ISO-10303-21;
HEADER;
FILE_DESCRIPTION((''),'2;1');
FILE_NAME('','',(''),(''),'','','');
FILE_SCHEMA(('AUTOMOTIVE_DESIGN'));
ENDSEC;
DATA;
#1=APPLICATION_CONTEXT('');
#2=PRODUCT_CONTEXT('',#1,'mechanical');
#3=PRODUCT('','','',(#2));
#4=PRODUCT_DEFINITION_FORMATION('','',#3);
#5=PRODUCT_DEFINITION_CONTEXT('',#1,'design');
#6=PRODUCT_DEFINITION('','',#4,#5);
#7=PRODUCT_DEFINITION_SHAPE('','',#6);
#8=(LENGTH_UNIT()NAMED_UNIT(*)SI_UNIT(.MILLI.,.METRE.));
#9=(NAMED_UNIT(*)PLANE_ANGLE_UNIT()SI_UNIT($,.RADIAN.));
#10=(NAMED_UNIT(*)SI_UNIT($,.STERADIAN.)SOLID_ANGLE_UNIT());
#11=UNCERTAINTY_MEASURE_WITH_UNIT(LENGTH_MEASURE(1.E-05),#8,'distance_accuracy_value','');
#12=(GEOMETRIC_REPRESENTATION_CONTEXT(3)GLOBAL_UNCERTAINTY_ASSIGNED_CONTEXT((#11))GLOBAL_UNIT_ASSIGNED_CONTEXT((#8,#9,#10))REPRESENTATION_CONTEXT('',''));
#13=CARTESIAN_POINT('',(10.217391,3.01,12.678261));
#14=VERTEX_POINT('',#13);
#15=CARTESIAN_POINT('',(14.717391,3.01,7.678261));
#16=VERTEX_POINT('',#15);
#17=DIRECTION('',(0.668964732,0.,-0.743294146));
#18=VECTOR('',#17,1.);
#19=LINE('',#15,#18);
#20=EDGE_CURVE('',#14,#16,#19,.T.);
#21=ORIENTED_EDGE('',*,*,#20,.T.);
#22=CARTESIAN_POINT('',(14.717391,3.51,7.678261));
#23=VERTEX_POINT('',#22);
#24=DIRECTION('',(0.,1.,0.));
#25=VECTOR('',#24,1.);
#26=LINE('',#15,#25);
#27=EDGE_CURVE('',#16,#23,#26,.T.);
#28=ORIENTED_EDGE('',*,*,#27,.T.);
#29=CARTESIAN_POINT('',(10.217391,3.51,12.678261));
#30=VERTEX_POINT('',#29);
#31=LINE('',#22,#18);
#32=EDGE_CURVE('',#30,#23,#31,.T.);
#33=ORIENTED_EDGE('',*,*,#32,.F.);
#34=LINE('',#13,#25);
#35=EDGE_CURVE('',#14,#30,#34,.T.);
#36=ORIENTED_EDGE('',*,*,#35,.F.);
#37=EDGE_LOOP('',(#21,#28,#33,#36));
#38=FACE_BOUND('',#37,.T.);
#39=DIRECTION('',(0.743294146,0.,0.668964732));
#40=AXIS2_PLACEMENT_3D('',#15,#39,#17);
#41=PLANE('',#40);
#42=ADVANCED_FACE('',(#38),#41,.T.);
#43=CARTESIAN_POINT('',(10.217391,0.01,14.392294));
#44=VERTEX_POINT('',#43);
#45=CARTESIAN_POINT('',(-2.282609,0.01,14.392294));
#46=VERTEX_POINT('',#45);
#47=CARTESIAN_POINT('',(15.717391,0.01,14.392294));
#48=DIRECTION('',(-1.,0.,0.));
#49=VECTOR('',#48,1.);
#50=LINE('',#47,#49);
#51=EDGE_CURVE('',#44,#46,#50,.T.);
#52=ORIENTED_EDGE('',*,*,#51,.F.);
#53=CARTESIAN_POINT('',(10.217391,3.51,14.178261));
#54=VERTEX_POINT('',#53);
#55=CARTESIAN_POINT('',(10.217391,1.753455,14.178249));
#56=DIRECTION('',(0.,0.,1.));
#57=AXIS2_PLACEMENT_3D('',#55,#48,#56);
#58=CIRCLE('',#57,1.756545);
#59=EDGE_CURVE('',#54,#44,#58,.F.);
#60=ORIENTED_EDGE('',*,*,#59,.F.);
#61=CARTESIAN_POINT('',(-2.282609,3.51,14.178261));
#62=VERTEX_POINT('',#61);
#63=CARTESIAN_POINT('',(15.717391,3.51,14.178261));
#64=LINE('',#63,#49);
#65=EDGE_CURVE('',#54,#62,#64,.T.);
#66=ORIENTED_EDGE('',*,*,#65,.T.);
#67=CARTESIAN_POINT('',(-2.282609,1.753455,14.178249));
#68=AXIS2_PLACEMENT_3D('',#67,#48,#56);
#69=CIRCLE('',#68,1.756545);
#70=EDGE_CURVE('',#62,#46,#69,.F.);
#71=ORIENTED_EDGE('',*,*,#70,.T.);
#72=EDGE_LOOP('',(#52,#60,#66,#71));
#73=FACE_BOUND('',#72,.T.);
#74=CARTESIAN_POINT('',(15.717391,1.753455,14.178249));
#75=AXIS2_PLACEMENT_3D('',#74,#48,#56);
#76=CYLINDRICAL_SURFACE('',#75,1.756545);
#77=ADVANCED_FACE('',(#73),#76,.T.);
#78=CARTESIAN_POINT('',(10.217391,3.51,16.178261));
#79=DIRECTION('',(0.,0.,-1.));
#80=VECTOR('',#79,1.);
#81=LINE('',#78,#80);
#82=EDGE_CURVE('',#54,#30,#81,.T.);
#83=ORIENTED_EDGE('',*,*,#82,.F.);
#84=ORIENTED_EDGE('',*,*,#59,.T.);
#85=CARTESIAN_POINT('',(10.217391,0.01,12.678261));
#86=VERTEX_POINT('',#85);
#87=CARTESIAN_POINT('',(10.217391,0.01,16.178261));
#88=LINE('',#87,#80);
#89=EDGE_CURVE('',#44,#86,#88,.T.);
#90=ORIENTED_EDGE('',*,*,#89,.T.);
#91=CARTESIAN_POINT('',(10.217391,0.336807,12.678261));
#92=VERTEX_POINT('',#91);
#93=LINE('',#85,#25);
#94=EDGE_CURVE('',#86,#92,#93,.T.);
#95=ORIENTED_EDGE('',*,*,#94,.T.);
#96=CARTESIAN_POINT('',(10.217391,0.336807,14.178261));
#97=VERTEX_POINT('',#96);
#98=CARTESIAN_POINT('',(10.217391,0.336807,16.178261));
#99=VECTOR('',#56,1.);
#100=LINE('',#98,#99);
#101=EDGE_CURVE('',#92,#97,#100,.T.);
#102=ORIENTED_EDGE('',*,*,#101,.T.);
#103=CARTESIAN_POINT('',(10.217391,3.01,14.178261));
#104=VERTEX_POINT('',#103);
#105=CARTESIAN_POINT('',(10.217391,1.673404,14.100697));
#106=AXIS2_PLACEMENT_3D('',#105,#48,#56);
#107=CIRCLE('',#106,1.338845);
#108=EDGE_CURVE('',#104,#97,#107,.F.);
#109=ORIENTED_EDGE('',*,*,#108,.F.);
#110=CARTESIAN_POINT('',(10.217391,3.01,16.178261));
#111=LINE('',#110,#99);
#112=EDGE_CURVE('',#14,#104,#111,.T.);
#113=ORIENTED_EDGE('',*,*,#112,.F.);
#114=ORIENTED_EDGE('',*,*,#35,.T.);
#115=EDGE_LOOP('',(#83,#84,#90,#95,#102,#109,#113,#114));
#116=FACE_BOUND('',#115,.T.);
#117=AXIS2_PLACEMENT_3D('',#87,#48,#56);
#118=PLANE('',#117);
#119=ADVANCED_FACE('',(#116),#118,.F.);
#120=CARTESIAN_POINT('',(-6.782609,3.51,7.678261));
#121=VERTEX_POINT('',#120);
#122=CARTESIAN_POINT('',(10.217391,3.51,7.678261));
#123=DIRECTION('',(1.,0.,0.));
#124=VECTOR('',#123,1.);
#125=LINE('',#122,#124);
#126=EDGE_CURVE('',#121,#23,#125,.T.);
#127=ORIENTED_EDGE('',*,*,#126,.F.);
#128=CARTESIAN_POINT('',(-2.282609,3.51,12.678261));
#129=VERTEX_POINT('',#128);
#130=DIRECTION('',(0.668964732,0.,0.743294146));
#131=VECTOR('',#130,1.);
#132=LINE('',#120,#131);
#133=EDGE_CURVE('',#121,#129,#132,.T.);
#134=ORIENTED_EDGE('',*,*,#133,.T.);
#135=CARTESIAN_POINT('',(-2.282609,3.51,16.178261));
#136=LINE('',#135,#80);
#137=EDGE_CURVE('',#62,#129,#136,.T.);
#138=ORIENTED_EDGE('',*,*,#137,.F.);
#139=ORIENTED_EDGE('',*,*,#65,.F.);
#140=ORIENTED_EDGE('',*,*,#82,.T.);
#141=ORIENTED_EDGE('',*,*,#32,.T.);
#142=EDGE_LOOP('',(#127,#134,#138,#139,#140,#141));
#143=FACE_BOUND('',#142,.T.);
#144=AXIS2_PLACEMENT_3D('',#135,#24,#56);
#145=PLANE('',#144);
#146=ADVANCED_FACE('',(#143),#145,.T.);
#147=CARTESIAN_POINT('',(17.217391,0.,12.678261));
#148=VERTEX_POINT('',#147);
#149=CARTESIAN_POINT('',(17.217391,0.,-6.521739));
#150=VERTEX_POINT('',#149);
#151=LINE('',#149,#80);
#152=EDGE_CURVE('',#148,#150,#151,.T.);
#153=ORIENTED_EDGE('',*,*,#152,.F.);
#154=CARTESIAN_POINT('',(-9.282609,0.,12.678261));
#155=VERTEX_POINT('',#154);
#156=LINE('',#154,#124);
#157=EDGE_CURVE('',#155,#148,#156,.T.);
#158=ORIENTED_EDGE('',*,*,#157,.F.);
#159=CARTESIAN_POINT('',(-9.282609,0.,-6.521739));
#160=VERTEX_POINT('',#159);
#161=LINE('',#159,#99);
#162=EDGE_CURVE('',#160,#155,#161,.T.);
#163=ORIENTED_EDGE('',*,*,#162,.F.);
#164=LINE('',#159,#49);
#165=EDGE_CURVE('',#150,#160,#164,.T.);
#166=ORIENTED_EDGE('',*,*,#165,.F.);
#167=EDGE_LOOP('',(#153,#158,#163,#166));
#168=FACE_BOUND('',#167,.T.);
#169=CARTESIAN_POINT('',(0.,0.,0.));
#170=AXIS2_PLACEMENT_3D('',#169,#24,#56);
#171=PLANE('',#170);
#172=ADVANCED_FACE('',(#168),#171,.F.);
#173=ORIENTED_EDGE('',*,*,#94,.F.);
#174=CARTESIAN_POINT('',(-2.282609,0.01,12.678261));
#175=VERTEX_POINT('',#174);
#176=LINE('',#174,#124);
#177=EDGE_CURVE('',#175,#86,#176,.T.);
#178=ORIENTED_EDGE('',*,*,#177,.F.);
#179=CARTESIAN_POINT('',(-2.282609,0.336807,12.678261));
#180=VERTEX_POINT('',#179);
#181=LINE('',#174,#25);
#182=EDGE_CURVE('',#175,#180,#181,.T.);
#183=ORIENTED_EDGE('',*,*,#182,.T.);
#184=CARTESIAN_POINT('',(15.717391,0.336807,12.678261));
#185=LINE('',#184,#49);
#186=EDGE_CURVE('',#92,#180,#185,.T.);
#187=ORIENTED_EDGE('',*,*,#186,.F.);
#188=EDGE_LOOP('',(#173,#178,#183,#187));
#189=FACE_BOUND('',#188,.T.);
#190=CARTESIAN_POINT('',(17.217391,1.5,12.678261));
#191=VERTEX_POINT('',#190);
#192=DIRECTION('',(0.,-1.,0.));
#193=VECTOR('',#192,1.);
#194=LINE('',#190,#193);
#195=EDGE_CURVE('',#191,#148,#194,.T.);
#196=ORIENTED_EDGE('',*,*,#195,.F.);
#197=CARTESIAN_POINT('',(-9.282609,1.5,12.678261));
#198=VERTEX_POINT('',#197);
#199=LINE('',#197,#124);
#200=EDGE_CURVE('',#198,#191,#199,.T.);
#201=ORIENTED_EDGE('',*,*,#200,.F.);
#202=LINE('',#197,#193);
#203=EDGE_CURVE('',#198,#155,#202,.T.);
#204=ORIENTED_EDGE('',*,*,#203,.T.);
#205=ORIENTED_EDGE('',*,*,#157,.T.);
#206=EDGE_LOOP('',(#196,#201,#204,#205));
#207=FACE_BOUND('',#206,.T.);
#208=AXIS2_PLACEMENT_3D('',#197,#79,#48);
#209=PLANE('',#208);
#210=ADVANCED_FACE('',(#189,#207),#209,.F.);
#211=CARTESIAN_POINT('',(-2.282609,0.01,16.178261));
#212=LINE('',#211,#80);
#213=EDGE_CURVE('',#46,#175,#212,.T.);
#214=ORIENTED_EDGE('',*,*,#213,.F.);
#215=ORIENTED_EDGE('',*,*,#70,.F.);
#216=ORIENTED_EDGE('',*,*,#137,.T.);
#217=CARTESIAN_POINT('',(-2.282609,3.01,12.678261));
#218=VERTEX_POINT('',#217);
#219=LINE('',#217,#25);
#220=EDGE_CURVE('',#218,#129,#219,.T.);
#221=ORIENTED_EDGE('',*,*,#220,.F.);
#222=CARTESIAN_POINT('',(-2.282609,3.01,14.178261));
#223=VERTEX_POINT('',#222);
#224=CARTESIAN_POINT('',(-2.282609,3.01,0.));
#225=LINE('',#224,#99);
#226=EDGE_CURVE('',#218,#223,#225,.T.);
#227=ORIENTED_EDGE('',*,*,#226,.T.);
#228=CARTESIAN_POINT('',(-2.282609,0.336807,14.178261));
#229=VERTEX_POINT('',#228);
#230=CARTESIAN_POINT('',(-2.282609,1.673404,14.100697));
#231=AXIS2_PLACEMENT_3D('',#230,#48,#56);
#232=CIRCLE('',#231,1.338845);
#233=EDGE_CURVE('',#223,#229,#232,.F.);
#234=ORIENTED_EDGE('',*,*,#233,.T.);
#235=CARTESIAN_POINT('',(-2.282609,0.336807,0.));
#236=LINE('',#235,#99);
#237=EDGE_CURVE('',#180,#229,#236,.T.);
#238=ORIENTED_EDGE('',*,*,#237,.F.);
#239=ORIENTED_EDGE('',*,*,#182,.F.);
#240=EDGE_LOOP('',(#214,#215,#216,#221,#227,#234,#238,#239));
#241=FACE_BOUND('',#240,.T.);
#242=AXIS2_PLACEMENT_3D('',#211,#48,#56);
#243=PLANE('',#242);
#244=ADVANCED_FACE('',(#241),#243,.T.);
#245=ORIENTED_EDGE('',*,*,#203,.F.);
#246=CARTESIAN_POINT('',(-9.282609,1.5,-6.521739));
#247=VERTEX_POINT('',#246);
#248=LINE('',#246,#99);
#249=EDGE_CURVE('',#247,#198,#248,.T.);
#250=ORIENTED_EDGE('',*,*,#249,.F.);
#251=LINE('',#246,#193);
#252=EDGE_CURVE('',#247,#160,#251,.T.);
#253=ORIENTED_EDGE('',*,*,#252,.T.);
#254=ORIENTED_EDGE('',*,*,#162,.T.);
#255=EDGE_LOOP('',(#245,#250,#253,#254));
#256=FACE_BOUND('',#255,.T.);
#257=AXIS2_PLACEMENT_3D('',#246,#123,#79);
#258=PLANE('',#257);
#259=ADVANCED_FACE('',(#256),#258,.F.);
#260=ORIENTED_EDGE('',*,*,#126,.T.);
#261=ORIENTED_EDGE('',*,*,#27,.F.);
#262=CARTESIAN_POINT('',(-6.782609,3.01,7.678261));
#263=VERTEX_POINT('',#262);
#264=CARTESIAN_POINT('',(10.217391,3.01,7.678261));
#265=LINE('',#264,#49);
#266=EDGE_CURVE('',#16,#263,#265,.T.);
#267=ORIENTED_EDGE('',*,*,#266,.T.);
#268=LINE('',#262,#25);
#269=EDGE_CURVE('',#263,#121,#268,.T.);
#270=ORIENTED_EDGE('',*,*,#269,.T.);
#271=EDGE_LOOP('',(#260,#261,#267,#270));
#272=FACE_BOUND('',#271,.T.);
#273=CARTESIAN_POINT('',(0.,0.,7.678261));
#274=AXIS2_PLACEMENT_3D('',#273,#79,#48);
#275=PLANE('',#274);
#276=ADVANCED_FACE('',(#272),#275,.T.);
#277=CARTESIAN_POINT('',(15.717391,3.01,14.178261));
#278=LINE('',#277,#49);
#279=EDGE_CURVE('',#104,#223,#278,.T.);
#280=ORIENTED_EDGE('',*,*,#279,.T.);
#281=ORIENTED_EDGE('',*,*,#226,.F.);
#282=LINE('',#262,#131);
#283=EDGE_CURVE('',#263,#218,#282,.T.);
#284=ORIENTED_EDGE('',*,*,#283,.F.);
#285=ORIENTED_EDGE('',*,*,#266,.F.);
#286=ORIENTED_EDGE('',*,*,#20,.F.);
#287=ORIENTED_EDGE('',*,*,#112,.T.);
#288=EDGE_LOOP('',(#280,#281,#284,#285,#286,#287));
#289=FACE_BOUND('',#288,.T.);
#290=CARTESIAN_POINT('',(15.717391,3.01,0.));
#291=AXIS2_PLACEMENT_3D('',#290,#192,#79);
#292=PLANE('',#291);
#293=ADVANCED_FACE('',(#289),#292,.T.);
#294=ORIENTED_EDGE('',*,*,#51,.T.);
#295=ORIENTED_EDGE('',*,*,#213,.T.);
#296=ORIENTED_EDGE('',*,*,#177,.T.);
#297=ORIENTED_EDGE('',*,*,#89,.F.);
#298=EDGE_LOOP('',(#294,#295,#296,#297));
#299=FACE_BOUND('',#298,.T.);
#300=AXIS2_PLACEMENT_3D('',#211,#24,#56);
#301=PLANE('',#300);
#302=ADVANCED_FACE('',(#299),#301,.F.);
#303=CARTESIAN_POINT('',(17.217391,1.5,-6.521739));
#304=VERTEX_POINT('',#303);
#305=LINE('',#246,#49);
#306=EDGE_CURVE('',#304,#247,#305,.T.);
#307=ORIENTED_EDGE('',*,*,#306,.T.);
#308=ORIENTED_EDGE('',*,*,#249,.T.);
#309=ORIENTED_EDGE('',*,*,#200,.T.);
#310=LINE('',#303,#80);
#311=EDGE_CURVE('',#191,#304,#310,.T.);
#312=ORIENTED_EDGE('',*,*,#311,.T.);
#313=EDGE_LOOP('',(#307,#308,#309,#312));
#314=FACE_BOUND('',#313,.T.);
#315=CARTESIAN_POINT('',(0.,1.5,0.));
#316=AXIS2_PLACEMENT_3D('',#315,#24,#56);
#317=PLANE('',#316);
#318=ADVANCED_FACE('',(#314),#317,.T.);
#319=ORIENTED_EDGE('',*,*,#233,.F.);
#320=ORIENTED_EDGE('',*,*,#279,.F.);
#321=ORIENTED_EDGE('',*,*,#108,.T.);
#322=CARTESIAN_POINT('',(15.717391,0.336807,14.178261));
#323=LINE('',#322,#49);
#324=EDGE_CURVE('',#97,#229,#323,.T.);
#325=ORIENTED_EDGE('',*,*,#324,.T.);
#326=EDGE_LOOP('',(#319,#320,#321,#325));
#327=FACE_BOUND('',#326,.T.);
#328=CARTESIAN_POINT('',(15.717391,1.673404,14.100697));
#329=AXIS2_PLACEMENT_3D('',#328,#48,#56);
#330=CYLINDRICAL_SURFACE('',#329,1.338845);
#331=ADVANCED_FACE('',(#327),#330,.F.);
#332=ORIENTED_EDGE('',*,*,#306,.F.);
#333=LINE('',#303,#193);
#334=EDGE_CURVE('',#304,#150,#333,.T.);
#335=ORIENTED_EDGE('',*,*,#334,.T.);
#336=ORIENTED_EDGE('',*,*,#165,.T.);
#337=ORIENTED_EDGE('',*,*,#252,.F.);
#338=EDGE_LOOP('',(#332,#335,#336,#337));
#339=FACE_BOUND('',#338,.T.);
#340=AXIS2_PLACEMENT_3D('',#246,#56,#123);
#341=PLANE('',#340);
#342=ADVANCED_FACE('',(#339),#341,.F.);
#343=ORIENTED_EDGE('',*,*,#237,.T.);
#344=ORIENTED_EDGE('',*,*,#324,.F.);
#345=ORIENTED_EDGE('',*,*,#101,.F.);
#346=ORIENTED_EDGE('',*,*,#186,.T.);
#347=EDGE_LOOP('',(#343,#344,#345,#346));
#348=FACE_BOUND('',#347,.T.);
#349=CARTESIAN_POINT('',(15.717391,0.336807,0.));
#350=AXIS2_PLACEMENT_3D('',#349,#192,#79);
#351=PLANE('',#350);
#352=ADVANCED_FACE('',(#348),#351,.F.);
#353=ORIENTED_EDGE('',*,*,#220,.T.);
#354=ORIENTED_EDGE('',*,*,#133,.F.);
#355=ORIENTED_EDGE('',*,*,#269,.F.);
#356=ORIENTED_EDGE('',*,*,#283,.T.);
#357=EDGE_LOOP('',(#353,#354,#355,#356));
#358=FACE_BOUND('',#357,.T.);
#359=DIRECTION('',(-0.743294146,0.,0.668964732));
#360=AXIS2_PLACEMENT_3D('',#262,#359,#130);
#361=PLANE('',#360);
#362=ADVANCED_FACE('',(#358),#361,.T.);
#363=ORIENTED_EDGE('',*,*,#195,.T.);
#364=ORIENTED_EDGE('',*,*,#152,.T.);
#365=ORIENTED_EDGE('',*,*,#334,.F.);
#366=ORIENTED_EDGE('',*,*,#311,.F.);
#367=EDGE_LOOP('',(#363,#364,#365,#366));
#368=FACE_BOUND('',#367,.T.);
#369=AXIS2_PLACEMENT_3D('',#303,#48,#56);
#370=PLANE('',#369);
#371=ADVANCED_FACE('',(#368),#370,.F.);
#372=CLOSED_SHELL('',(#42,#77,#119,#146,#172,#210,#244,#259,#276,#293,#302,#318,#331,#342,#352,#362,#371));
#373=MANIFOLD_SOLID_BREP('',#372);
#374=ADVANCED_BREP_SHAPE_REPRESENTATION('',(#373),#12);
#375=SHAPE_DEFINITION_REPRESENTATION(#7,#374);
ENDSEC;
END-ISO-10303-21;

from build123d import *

# Parameters (mm, degrees)
SKETCH1_W           = 26.5
SKETCH1_H           = 19.2
BOSS_EXTRUDE1_DEPTH = 1.5
SKETCH2_W           = 12.5
SKETCH2_H           = 3.5
BOSS_EXTRUDE2_DEPTH = 3.5
CUT_EXTRUDE1_DEPTH  = 18
SKETCH4_W           = 12.5
SKETCH4_H           = 0.5
BOSS_EXTRUDE3_DEPTH = 5
BOSS_EXTRUDE4_DEPTH = 0.5


with BuildPart() as part:
    # Sketch1 → Boss-Extrude1 (new body)
    with BuildSketch(Plane(origin=(0, 0, 0), x_dir=(1, 0, 0), z_dir=(0, 1, 0))):
        with Locations((3.967391304, -3.07826087)):
            Rectangle(SKETCH1_W, SKETCH1_H)
    extrude(amount=BOSS_EXTRUDE1_DEPTH)

    # Sketch2 → Boss-Extrude2 (add)
    with BuildSketch(Plane.XY.offset(12.67826087)):
        with Locations((3.967391304, 1.76)):
            Rectangle(SKETCH2_W, SKETCH2_H)
    extrude(amount=BOSS_EXTRUDE2_DEPTH)

    # Sketch3 → Cut-Extrude1 (cut)
    with BuildSketch(Plane.ZY.offset(2.282608696)):
        with BuildLine():
            Line((14.17826087, 3.01), (12.67826087, 3.01))
            Line((12.67826087, 3.01), (12.67826087, 1.5))
            Line((12.67826087, 1.5), (12.67826087, 0.336807219))
            Line((12.67826087, 0.336807219), (14.17826087, 0.336807219))
            ThreePointArc((14.17826087, 0.336807219), (15.439541787, 1.67340361), (14.17826087, 3.01))
        make_face()
        with BuildLine():
            Line((16.17826087, 3.51), (14.17826087, 3.51))
            ThreePointArc((14.17826087, 3.51), (15.93151881, 1.860671544), (14.392294136, 0.01))
            Line((14.392294136, 0.01), (16.17826087, 0.01))
            Line((16.17826087, 0.01), (16.17826087, 3.51))
        make_face()
    extrude(amount=-CUT_EXTRUDE1_DEPTH, mode=Mode.SUBTRACT)

    # Sketch4 → Boss-Extrude3 (add)
    with BuildSketch(Plane(origin=(0, 0, 12.67826087), x_dir=(-1, 0, 0), z_dir=(0, 0, -1))):
        with Locations((-3.967391304, 3.26)):
            Rectangle(SKETCH4_W, SKETCH4_H)
    extrude(amount=BOSS_EXTRUDE3_DEPTH)

    # Sketch6 → Boss-Extrude4 (add)
    with BuildSketch(Plane(origin=(0, 3.51, 0), x_dir=(1, 0, 0), z_dir=(0, 1, 0))):
        Polygon((-2.282608696, -7.67826087), (-6.782608696, -7.67826087), (-2.282608696, -12.67826087), align=None)
        Polygon((10.217391304, -7.67826087), (14.717391304, -7.67826087), (10.217391304, -12.67826087), align=None)
    extrude(amount=-BOSS_EXTRUDE4_DEPTH)


solid = part.part
